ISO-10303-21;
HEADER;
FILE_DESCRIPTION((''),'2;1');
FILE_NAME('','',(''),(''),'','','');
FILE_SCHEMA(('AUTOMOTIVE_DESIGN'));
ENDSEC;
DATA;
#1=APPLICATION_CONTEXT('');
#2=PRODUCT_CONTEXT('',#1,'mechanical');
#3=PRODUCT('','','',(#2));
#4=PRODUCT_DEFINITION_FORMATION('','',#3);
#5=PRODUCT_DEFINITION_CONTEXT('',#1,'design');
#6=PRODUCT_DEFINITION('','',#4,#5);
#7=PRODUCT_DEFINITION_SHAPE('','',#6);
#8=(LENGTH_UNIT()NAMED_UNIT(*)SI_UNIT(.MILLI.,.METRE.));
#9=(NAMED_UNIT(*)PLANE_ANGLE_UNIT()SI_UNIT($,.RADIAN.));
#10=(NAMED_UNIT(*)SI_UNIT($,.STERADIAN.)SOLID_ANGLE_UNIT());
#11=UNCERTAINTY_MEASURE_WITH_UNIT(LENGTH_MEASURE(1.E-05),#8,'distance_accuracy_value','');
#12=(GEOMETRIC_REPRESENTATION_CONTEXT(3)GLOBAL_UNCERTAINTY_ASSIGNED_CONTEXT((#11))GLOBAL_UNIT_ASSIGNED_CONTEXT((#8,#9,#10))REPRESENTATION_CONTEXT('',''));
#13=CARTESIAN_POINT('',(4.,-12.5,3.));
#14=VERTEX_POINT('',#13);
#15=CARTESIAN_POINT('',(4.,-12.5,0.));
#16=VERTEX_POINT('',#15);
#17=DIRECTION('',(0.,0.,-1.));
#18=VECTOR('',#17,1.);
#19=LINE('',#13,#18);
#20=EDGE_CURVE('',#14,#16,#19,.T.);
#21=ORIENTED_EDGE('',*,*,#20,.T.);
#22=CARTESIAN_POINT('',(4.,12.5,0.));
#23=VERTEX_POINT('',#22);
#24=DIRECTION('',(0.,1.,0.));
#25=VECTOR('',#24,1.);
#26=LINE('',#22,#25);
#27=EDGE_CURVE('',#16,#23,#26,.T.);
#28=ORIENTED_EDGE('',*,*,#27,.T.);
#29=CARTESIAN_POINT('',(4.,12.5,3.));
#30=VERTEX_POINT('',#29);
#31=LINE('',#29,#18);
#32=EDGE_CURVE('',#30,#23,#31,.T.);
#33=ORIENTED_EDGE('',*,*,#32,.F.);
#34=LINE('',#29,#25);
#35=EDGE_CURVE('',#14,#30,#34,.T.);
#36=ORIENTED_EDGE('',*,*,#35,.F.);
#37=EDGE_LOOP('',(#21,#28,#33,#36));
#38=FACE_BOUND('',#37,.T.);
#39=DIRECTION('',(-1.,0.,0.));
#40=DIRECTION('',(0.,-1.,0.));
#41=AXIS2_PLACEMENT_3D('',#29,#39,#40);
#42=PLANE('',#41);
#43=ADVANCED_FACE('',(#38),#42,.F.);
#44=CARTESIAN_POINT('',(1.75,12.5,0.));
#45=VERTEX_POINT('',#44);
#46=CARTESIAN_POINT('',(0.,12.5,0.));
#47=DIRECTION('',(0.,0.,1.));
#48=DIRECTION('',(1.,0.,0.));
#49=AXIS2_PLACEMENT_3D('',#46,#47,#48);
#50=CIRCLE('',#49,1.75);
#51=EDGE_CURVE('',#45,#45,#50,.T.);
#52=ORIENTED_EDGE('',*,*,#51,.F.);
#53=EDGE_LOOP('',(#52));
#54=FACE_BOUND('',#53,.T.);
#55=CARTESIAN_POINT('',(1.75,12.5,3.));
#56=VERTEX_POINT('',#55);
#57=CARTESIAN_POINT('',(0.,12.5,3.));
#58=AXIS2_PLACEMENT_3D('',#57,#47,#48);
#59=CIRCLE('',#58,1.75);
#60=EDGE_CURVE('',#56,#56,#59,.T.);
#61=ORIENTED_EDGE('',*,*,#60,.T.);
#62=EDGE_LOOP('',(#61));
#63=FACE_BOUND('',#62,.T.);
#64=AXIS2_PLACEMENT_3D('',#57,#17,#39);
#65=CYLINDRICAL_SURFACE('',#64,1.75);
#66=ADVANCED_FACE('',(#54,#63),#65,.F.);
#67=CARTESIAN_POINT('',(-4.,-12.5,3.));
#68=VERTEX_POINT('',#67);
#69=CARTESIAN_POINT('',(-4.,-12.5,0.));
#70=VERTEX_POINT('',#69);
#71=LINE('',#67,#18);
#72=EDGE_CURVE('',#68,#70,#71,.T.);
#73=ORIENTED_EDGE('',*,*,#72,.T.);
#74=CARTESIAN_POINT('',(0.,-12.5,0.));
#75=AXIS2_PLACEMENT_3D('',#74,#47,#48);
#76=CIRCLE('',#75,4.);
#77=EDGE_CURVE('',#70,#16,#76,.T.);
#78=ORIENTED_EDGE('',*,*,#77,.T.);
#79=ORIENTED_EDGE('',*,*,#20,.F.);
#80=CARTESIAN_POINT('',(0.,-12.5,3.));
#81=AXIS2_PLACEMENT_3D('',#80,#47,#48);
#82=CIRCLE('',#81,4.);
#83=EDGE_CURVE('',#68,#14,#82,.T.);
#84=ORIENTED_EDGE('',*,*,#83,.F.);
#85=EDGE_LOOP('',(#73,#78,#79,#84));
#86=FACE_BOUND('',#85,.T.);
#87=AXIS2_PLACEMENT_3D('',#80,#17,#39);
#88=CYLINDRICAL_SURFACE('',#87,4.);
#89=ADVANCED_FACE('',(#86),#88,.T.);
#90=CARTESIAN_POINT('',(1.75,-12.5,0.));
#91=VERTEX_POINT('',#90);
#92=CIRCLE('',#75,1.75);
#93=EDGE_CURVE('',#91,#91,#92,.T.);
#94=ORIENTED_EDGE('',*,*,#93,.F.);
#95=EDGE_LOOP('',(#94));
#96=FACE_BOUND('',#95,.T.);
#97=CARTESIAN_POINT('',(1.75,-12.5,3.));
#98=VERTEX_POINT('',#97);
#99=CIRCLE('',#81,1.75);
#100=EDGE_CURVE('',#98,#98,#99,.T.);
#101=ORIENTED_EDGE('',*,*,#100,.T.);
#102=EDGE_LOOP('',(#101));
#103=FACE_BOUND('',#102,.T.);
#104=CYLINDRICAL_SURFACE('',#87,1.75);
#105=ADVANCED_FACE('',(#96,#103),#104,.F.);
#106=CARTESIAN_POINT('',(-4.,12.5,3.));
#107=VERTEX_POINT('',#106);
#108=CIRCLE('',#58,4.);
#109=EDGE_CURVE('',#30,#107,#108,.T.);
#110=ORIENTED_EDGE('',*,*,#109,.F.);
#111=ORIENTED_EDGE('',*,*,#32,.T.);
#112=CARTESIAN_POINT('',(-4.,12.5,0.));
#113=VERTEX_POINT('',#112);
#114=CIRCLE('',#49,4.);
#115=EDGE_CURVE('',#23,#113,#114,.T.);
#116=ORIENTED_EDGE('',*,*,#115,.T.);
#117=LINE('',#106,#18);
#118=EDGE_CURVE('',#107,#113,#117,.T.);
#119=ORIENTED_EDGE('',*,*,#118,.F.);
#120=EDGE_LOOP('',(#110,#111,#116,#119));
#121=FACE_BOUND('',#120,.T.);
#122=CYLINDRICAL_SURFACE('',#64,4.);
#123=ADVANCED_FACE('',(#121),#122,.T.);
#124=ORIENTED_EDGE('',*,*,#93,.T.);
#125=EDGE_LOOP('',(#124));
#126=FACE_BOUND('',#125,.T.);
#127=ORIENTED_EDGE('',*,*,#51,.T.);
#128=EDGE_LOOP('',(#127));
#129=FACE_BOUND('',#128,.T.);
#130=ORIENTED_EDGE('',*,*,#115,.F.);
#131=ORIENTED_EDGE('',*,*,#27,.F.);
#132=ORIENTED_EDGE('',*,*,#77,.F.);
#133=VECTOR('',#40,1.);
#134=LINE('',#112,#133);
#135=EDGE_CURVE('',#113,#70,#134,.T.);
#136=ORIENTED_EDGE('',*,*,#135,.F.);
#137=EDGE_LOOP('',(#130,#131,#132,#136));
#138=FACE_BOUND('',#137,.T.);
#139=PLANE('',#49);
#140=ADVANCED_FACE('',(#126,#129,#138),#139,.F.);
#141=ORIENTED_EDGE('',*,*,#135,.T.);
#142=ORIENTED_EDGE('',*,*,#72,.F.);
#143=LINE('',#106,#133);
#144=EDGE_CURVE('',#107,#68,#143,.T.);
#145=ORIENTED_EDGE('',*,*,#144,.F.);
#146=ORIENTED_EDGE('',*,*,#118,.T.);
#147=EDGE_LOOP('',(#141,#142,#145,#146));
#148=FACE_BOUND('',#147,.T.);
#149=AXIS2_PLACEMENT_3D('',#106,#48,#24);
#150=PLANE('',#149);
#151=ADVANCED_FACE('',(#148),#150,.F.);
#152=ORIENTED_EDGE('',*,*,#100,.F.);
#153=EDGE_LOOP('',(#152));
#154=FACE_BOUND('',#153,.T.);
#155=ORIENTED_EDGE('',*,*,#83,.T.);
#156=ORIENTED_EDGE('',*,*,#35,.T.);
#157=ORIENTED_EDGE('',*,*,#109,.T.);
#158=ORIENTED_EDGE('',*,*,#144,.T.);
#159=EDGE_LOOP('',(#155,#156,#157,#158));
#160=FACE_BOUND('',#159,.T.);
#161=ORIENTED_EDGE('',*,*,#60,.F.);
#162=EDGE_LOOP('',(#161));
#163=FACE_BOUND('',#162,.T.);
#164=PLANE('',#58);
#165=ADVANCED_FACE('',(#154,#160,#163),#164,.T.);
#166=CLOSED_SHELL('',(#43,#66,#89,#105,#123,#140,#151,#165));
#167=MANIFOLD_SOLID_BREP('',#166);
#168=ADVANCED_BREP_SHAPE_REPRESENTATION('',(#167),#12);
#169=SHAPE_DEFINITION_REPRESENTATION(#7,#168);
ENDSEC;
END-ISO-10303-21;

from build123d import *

# Parameters (mm, degrees)
ESBO_O1_R                = 1.75
RESSALTO_EXTRUS_O1_DEPTH = 3


with BuildPart() as part:
    # Esboço1 → Ressalto-extrusão1 (new body)
    with BuildSketch(Plane.XY):
        with BuildLine():
            Line((4, 12.5), (4, -12.5))
            ThreePointArc((4, -12.5), (0, -16.5), (-4, -12.5))
            Line((-4, -12.5), (-4, 12.5))
            ThreePointArc((-4, 12.5), (0, 16.5), (4, 12.5))
        make_face()
        with Locations((0, 12.5)):
            Circle(ESBO_O1_R, mode=Mode.SUBTRACT)
        with Locations((0, -12.5)):
            Circle(ESBO_O1_R, mode=Mode.SUBTRACT)
    extrude(amount=RESSALTO_EXTRUS_O1_DEPTH)


solid = part.part
